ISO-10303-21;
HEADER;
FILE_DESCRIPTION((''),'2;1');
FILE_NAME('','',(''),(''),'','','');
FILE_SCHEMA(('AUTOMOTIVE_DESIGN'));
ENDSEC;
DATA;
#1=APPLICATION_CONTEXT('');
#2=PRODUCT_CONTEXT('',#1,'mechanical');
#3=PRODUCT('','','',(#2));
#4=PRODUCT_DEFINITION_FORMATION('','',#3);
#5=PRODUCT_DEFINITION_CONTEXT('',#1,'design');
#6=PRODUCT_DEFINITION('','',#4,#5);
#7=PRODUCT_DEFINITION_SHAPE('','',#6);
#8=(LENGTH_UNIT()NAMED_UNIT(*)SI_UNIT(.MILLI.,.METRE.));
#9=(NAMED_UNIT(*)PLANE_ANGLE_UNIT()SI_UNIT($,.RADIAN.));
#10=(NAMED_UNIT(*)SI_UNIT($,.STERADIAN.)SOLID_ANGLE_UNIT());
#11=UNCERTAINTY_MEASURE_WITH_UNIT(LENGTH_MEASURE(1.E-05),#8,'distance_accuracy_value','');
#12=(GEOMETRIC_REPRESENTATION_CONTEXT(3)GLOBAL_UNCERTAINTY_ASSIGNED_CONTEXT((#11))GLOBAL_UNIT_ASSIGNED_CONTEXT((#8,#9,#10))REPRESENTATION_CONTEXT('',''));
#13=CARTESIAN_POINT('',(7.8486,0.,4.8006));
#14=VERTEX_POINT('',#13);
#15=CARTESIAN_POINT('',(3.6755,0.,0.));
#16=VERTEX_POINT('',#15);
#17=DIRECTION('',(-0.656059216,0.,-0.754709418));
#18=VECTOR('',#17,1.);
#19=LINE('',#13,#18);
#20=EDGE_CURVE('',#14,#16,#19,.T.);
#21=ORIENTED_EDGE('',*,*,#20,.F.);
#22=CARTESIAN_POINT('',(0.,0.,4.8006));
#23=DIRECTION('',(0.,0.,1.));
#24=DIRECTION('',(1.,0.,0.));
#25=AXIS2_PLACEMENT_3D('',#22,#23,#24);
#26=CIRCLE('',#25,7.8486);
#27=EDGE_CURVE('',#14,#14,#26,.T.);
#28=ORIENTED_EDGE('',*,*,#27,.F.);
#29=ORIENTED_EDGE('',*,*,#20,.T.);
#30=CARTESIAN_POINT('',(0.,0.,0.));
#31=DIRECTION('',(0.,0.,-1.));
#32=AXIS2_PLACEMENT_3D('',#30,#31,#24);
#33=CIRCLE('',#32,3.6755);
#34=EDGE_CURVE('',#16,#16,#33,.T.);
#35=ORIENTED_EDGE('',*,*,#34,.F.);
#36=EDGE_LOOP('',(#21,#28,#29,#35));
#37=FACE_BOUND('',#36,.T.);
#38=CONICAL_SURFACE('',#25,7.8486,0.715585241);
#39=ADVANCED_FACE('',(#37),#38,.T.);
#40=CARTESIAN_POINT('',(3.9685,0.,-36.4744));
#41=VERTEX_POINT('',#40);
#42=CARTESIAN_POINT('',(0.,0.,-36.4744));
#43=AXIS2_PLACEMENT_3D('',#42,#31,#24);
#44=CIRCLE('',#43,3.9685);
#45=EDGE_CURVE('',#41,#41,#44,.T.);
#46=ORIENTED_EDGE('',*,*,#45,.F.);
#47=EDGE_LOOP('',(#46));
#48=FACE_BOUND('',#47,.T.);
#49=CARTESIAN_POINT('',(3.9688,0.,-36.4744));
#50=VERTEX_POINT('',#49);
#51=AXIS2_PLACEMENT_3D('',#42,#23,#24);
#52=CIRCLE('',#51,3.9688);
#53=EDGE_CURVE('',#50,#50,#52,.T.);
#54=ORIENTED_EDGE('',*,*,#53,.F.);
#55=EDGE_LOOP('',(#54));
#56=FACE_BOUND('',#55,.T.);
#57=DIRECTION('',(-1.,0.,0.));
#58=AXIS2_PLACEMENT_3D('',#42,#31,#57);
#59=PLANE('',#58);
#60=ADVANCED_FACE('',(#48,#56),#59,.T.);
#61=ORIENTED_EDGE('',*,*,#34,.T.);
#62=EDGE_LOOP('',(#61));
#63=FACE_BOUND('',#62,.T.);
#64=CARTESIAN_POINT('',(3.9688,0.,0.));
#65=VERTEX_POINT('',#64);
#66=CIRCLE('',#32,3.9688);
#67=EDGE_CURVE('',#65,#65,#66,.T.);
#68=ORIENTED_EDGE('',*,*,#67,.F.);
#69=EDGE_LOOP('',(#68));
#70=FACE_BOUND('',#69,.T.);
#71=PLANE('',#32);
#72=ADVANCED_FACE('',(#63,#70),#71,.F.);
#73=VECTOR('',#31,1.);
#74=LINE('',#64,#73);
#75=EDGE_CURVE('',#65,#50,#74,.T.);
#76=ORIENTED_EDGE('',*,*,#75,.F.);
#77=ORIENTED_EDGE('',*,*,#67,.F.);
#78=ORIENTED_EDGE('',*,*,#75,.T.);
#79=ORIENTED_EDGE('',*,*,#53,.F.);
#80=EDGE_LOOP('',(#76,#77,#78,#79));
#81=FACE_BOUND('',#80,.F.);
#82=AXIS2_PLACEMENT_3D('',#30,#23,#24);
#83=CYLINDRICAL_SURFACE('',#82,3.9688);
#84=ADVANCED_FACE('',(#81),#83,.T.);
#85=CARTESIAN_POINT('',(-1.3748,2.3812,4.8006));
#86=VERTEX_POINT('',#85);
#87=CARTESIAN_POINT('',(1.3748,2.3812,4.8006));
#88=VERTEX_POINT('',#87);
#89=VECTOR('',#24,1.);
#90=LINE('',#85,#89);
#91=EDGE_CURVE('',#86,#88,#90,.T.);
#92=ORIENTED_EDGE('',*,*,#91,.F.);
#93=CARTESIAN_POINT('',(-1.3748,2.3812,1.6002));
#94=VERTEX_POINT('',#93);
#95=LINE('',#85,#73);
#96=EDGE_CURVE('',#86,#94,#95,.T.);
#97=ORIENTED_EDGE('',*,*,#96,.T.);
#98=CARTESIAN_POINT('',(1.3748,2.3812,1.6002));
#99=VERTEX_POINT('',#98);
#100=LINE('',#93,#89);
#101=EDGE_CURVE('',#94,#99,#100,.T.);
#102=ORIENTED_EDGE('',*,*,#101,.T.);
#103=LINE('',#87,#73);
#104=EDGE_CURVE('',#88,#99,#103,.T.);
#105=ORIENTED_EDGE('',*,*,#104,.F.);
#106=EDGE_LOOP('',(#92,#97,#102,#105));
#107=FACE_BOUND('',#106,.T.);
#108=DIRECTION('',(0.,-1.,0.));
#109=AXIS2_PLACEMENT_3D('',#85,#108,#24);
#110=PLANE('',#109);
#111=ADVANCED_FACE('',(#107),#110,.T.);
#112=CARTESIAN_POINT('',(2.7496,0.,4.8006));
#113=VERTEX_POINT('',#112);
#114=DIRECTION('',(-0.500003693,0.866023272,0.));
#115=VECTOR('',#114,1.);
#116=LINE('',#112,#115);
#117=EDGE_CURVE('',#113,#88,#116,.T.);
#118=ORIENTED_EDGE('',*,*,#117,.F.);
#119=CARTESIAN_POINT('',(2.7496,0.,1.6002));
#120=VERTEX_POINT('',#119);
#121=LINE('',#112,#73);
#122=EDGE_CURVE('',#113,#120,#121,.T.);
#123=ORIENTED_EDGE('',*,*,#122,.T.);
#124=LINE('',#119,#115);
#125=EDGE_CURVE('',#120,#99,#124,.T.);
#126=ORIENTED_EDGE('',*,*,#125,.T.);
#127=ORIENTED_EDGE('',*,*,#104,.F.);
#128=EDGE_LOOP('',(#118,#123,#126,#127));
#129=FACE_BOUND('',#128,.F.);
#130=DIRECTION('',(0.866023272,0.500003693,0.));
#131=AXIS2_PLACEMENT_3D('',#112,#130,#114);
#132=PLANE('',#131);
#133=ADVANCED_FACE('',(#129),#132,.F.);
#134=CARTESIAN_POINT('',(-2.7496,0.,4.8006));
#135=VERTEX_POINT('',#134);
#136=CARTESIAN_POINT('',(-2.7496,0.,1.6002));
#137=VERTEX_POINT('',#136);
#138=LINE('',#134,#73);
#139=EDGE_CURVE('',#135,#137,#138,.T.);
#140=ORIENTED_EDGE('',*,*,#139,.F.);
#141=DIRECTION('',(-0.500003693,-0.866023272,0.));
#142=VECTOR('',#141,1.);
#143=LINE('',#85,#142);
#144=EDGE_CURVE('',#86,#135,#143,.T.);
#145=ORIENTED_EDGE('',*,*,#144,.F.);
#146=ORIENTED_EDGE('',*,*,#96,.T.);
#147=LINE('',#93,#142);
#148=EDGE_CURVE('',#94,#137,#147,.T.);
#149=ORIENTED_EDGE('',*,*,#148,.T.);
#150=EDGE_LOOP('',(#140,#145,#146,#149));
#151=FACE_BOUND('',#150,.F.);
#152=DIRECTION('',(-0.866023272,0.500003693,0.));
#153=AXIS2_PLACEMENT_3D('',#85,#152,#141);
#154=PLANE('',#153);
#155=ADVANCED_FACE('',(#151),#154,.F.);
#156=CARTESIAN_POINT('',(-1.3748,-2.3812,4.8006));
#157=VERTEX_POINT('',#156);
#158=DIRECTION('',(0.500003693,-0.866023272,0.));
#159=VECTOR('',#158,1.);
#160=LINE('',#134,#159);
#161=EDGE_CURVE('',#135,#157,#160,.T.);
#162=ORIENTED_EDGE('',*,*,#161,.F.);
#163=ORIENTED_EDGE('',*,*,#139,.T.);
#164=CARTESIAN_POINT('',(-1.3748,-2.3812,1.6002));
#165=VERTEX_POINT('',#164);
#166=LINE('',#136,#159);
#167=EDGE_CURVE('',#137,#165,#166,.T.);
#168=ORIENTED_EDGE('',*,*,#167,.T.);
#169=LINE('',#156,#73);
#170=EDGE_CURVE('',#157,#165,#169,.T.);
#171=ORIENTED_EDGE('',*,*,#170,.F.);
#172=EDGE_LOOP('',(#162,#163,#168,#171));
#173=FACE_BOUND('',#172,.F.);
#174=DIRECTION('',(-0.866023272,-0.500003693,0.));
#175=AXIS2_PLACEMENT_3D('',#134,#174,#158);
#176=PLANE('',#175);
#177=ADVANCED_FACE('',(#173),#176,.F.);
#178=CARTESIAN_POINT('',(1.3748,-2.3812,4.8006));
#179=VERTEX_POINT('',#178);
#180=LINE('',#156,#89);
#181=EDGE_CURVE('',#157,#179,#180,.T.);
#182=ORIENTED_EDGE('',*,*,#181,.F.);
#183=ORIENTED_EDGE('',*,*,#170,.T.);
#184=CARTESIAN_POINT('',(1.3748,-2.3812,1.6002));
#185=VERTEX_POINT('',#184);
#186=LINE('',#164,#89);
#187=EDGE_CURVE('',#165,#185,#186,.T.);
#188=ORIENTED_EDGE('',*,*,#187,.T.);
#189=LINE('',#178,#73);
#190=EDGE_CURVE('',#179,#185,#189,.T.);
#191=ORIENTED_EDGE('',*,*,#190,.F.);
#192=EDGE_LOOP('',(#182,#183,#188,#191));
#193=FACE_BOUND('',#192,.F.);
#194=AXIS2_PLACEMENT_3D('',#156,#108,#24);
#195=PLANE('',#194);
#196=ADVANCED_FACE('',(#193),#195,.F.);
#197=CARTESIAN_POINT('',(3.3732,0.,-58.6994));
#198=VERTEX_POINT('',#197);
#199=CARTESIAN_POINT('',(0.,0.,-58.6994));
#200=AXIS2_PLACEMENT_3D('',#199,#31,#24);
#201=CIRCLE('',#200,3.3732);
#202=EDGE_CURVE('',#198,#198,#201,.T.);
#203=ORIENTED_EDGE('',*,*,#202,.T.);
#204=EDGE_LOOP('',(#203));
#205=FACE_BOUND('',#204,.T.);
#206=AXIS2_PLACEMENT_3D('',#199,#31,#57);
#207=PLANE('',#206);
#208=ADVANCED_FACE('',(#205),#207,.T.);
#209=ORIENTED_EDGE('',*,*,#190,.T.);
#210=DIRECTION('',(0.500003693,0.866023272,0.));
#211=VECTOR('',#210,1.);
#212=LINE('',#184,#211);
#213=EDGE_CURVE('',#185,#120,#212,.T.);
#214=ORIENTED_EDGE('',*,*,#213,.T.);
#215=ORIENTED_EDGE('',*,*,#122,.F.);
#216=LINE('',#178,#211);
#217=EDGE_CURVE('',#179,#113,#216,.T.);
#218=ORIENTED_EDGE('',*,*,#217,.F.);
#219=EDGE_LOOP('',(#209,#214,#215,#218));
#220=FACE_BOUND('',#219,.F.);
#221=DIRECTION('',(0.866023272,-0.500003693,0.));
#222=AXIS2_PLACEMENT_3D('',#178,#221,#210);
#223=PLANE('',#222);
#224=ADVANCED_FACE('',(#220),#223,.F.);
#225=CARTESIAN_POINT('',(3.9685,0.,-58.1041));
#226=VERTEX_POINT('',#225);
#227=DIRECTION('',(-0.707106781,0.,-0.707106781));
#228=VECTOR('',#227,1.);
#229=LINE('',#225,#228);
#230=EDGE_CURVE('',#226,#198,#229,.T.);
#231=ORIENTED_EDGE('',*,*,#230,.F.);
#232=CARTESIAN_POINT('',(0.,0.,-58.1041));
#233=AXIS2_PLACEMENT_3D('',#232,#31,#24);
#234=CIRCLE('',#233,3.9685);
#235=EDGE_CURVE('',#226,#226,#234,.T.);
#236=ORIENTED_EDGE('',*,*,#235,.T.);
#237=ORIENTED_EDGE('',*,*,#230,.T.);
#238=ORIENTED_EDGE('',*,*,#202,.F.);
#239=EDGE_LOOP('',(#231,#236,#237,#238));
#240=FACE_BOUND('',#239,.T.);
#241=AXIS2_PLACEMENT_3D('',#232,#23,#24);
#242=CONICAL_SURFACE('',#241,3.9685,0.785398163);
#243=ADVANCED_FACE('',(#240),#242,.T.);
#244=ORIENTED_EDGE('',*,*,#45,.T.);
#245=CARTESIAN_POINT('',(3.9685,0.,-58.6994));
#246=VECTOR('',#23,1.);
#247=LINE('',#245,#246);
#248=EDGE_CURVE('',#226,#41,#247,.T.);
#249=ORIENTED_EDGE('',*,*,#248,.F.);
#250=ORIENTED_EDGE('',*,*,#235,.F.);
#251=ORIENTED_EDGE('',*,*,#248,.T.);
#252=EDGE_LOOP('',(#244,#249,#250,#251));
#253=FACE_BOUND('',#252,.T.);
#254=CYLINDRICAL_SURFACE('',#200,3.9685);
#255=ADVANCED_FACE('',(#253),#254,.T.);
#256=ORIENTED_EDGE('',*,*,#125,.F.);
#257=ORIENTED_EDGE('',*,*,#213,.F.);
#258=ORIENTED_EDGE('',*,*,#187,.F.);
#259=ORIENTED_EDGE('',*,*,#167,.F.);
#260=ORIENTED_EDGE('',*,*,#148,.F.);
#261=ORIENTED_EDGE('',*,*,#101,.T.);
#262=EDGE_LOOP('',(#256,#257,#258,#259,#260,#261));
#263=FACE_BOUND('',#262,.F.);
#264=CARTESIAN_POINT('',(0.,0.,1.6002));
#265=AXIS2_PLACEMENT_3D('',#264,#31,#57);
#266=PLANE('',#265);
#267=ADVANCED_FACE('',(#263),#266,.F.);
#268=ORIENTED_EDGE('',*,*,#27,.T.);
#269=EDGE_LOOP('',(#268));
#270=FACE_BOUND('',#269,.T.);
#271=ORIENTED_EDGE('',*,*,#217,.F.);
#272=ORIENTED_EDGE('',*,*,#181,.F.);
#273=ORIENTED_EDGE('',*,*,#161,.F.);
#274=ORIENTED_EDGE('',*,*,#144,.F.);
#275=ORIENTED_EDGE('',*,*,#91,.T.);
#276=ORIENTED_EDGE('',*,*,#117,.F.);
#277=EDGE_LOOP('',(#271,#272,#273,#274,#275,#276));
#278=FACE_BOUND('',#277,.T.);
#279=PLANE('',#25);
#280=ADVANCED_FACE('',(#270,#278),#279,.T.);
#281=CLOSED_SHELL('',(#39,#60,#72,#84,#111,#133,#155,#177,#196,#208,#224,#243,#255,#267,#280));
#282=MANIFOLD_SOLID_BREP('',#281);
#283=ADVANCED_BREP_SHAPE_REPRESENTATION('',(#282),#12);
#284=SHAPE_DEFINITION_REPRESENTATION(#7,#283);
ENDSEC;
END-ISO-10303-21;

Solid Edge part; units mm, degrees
sketch "Sketch1" plane through (0, 0, 0) normal (0, 0, 1) x (1, 0, 0)
  circle A0 centre (0, 0) radius 7.8486
  dimension "D1" = 15.6972
extrude "Protrusion1" add sketch "Sketch1" along normal blind 4.8006
sketch "Sketch2" plane through (0, 0, 0) normal (0, 0, -1) x (1, 0, 0)
  circle A0 centre (0, 0) radius 3.9688
extrude "Protrusion2" add sketch "Sketch2" along normal blind 58.6994
sketch "Sketch3" plane through (0, 0, -58.6994) normal (0, 0, -1) x (1, 0, 0)
  circle A0 centre (0, 0) radius 3.9685
extrude "Cutout1" cut sketch "Sketch3" against normal blind 22.225 flip side to cut
chamfer "Chamfer_1" distance 0.5953 angle 45 1 edges at (-3.9685, 0, -58.6994)
sketch "Sketch4" plane through (0, 0, 4.8006) normal (0, 0, 1) x (1, 0, 0)
  line L0 (-1.3748, 2.3812) -> (1.3748, 2.3812)
  line L1 (2.7496, 0) -> (1.3748, 2.3812)
  line L2 (1.3748, -2.3812) -> (2.7496, 0)
  line L3 (-1.3748, -2.3812) -> (1.3748, -2.3812)
  line L4 (-2.7496, 0) -> (-1.3748, -2.3812)
  line L5 (-1.3748, 2.3812) -> (-2.7496, 0)
  dimension "D1" = 4.7625
extrude "Cutout2" cut sketch "Sketch4" against normal blind 3.2004
sketch "Sketch5" plane through (0, 0, 0) normal (0, -1, 0) x (1, 0, 0)
  line L0 (7.8486, 4.8006) -> (3.6755, 0)
  line L1 (3.6755, 0) -> (7.8486, 0)
  line L2 (7.8486, 0) -> (7.8486, 4.8006)
revolve "RevolvedCutout1" cut sketch "Sketch5" angle 360 about axis through (0, 0, 14.0017) along (0, 0, -1)
properties part number "24103288"
